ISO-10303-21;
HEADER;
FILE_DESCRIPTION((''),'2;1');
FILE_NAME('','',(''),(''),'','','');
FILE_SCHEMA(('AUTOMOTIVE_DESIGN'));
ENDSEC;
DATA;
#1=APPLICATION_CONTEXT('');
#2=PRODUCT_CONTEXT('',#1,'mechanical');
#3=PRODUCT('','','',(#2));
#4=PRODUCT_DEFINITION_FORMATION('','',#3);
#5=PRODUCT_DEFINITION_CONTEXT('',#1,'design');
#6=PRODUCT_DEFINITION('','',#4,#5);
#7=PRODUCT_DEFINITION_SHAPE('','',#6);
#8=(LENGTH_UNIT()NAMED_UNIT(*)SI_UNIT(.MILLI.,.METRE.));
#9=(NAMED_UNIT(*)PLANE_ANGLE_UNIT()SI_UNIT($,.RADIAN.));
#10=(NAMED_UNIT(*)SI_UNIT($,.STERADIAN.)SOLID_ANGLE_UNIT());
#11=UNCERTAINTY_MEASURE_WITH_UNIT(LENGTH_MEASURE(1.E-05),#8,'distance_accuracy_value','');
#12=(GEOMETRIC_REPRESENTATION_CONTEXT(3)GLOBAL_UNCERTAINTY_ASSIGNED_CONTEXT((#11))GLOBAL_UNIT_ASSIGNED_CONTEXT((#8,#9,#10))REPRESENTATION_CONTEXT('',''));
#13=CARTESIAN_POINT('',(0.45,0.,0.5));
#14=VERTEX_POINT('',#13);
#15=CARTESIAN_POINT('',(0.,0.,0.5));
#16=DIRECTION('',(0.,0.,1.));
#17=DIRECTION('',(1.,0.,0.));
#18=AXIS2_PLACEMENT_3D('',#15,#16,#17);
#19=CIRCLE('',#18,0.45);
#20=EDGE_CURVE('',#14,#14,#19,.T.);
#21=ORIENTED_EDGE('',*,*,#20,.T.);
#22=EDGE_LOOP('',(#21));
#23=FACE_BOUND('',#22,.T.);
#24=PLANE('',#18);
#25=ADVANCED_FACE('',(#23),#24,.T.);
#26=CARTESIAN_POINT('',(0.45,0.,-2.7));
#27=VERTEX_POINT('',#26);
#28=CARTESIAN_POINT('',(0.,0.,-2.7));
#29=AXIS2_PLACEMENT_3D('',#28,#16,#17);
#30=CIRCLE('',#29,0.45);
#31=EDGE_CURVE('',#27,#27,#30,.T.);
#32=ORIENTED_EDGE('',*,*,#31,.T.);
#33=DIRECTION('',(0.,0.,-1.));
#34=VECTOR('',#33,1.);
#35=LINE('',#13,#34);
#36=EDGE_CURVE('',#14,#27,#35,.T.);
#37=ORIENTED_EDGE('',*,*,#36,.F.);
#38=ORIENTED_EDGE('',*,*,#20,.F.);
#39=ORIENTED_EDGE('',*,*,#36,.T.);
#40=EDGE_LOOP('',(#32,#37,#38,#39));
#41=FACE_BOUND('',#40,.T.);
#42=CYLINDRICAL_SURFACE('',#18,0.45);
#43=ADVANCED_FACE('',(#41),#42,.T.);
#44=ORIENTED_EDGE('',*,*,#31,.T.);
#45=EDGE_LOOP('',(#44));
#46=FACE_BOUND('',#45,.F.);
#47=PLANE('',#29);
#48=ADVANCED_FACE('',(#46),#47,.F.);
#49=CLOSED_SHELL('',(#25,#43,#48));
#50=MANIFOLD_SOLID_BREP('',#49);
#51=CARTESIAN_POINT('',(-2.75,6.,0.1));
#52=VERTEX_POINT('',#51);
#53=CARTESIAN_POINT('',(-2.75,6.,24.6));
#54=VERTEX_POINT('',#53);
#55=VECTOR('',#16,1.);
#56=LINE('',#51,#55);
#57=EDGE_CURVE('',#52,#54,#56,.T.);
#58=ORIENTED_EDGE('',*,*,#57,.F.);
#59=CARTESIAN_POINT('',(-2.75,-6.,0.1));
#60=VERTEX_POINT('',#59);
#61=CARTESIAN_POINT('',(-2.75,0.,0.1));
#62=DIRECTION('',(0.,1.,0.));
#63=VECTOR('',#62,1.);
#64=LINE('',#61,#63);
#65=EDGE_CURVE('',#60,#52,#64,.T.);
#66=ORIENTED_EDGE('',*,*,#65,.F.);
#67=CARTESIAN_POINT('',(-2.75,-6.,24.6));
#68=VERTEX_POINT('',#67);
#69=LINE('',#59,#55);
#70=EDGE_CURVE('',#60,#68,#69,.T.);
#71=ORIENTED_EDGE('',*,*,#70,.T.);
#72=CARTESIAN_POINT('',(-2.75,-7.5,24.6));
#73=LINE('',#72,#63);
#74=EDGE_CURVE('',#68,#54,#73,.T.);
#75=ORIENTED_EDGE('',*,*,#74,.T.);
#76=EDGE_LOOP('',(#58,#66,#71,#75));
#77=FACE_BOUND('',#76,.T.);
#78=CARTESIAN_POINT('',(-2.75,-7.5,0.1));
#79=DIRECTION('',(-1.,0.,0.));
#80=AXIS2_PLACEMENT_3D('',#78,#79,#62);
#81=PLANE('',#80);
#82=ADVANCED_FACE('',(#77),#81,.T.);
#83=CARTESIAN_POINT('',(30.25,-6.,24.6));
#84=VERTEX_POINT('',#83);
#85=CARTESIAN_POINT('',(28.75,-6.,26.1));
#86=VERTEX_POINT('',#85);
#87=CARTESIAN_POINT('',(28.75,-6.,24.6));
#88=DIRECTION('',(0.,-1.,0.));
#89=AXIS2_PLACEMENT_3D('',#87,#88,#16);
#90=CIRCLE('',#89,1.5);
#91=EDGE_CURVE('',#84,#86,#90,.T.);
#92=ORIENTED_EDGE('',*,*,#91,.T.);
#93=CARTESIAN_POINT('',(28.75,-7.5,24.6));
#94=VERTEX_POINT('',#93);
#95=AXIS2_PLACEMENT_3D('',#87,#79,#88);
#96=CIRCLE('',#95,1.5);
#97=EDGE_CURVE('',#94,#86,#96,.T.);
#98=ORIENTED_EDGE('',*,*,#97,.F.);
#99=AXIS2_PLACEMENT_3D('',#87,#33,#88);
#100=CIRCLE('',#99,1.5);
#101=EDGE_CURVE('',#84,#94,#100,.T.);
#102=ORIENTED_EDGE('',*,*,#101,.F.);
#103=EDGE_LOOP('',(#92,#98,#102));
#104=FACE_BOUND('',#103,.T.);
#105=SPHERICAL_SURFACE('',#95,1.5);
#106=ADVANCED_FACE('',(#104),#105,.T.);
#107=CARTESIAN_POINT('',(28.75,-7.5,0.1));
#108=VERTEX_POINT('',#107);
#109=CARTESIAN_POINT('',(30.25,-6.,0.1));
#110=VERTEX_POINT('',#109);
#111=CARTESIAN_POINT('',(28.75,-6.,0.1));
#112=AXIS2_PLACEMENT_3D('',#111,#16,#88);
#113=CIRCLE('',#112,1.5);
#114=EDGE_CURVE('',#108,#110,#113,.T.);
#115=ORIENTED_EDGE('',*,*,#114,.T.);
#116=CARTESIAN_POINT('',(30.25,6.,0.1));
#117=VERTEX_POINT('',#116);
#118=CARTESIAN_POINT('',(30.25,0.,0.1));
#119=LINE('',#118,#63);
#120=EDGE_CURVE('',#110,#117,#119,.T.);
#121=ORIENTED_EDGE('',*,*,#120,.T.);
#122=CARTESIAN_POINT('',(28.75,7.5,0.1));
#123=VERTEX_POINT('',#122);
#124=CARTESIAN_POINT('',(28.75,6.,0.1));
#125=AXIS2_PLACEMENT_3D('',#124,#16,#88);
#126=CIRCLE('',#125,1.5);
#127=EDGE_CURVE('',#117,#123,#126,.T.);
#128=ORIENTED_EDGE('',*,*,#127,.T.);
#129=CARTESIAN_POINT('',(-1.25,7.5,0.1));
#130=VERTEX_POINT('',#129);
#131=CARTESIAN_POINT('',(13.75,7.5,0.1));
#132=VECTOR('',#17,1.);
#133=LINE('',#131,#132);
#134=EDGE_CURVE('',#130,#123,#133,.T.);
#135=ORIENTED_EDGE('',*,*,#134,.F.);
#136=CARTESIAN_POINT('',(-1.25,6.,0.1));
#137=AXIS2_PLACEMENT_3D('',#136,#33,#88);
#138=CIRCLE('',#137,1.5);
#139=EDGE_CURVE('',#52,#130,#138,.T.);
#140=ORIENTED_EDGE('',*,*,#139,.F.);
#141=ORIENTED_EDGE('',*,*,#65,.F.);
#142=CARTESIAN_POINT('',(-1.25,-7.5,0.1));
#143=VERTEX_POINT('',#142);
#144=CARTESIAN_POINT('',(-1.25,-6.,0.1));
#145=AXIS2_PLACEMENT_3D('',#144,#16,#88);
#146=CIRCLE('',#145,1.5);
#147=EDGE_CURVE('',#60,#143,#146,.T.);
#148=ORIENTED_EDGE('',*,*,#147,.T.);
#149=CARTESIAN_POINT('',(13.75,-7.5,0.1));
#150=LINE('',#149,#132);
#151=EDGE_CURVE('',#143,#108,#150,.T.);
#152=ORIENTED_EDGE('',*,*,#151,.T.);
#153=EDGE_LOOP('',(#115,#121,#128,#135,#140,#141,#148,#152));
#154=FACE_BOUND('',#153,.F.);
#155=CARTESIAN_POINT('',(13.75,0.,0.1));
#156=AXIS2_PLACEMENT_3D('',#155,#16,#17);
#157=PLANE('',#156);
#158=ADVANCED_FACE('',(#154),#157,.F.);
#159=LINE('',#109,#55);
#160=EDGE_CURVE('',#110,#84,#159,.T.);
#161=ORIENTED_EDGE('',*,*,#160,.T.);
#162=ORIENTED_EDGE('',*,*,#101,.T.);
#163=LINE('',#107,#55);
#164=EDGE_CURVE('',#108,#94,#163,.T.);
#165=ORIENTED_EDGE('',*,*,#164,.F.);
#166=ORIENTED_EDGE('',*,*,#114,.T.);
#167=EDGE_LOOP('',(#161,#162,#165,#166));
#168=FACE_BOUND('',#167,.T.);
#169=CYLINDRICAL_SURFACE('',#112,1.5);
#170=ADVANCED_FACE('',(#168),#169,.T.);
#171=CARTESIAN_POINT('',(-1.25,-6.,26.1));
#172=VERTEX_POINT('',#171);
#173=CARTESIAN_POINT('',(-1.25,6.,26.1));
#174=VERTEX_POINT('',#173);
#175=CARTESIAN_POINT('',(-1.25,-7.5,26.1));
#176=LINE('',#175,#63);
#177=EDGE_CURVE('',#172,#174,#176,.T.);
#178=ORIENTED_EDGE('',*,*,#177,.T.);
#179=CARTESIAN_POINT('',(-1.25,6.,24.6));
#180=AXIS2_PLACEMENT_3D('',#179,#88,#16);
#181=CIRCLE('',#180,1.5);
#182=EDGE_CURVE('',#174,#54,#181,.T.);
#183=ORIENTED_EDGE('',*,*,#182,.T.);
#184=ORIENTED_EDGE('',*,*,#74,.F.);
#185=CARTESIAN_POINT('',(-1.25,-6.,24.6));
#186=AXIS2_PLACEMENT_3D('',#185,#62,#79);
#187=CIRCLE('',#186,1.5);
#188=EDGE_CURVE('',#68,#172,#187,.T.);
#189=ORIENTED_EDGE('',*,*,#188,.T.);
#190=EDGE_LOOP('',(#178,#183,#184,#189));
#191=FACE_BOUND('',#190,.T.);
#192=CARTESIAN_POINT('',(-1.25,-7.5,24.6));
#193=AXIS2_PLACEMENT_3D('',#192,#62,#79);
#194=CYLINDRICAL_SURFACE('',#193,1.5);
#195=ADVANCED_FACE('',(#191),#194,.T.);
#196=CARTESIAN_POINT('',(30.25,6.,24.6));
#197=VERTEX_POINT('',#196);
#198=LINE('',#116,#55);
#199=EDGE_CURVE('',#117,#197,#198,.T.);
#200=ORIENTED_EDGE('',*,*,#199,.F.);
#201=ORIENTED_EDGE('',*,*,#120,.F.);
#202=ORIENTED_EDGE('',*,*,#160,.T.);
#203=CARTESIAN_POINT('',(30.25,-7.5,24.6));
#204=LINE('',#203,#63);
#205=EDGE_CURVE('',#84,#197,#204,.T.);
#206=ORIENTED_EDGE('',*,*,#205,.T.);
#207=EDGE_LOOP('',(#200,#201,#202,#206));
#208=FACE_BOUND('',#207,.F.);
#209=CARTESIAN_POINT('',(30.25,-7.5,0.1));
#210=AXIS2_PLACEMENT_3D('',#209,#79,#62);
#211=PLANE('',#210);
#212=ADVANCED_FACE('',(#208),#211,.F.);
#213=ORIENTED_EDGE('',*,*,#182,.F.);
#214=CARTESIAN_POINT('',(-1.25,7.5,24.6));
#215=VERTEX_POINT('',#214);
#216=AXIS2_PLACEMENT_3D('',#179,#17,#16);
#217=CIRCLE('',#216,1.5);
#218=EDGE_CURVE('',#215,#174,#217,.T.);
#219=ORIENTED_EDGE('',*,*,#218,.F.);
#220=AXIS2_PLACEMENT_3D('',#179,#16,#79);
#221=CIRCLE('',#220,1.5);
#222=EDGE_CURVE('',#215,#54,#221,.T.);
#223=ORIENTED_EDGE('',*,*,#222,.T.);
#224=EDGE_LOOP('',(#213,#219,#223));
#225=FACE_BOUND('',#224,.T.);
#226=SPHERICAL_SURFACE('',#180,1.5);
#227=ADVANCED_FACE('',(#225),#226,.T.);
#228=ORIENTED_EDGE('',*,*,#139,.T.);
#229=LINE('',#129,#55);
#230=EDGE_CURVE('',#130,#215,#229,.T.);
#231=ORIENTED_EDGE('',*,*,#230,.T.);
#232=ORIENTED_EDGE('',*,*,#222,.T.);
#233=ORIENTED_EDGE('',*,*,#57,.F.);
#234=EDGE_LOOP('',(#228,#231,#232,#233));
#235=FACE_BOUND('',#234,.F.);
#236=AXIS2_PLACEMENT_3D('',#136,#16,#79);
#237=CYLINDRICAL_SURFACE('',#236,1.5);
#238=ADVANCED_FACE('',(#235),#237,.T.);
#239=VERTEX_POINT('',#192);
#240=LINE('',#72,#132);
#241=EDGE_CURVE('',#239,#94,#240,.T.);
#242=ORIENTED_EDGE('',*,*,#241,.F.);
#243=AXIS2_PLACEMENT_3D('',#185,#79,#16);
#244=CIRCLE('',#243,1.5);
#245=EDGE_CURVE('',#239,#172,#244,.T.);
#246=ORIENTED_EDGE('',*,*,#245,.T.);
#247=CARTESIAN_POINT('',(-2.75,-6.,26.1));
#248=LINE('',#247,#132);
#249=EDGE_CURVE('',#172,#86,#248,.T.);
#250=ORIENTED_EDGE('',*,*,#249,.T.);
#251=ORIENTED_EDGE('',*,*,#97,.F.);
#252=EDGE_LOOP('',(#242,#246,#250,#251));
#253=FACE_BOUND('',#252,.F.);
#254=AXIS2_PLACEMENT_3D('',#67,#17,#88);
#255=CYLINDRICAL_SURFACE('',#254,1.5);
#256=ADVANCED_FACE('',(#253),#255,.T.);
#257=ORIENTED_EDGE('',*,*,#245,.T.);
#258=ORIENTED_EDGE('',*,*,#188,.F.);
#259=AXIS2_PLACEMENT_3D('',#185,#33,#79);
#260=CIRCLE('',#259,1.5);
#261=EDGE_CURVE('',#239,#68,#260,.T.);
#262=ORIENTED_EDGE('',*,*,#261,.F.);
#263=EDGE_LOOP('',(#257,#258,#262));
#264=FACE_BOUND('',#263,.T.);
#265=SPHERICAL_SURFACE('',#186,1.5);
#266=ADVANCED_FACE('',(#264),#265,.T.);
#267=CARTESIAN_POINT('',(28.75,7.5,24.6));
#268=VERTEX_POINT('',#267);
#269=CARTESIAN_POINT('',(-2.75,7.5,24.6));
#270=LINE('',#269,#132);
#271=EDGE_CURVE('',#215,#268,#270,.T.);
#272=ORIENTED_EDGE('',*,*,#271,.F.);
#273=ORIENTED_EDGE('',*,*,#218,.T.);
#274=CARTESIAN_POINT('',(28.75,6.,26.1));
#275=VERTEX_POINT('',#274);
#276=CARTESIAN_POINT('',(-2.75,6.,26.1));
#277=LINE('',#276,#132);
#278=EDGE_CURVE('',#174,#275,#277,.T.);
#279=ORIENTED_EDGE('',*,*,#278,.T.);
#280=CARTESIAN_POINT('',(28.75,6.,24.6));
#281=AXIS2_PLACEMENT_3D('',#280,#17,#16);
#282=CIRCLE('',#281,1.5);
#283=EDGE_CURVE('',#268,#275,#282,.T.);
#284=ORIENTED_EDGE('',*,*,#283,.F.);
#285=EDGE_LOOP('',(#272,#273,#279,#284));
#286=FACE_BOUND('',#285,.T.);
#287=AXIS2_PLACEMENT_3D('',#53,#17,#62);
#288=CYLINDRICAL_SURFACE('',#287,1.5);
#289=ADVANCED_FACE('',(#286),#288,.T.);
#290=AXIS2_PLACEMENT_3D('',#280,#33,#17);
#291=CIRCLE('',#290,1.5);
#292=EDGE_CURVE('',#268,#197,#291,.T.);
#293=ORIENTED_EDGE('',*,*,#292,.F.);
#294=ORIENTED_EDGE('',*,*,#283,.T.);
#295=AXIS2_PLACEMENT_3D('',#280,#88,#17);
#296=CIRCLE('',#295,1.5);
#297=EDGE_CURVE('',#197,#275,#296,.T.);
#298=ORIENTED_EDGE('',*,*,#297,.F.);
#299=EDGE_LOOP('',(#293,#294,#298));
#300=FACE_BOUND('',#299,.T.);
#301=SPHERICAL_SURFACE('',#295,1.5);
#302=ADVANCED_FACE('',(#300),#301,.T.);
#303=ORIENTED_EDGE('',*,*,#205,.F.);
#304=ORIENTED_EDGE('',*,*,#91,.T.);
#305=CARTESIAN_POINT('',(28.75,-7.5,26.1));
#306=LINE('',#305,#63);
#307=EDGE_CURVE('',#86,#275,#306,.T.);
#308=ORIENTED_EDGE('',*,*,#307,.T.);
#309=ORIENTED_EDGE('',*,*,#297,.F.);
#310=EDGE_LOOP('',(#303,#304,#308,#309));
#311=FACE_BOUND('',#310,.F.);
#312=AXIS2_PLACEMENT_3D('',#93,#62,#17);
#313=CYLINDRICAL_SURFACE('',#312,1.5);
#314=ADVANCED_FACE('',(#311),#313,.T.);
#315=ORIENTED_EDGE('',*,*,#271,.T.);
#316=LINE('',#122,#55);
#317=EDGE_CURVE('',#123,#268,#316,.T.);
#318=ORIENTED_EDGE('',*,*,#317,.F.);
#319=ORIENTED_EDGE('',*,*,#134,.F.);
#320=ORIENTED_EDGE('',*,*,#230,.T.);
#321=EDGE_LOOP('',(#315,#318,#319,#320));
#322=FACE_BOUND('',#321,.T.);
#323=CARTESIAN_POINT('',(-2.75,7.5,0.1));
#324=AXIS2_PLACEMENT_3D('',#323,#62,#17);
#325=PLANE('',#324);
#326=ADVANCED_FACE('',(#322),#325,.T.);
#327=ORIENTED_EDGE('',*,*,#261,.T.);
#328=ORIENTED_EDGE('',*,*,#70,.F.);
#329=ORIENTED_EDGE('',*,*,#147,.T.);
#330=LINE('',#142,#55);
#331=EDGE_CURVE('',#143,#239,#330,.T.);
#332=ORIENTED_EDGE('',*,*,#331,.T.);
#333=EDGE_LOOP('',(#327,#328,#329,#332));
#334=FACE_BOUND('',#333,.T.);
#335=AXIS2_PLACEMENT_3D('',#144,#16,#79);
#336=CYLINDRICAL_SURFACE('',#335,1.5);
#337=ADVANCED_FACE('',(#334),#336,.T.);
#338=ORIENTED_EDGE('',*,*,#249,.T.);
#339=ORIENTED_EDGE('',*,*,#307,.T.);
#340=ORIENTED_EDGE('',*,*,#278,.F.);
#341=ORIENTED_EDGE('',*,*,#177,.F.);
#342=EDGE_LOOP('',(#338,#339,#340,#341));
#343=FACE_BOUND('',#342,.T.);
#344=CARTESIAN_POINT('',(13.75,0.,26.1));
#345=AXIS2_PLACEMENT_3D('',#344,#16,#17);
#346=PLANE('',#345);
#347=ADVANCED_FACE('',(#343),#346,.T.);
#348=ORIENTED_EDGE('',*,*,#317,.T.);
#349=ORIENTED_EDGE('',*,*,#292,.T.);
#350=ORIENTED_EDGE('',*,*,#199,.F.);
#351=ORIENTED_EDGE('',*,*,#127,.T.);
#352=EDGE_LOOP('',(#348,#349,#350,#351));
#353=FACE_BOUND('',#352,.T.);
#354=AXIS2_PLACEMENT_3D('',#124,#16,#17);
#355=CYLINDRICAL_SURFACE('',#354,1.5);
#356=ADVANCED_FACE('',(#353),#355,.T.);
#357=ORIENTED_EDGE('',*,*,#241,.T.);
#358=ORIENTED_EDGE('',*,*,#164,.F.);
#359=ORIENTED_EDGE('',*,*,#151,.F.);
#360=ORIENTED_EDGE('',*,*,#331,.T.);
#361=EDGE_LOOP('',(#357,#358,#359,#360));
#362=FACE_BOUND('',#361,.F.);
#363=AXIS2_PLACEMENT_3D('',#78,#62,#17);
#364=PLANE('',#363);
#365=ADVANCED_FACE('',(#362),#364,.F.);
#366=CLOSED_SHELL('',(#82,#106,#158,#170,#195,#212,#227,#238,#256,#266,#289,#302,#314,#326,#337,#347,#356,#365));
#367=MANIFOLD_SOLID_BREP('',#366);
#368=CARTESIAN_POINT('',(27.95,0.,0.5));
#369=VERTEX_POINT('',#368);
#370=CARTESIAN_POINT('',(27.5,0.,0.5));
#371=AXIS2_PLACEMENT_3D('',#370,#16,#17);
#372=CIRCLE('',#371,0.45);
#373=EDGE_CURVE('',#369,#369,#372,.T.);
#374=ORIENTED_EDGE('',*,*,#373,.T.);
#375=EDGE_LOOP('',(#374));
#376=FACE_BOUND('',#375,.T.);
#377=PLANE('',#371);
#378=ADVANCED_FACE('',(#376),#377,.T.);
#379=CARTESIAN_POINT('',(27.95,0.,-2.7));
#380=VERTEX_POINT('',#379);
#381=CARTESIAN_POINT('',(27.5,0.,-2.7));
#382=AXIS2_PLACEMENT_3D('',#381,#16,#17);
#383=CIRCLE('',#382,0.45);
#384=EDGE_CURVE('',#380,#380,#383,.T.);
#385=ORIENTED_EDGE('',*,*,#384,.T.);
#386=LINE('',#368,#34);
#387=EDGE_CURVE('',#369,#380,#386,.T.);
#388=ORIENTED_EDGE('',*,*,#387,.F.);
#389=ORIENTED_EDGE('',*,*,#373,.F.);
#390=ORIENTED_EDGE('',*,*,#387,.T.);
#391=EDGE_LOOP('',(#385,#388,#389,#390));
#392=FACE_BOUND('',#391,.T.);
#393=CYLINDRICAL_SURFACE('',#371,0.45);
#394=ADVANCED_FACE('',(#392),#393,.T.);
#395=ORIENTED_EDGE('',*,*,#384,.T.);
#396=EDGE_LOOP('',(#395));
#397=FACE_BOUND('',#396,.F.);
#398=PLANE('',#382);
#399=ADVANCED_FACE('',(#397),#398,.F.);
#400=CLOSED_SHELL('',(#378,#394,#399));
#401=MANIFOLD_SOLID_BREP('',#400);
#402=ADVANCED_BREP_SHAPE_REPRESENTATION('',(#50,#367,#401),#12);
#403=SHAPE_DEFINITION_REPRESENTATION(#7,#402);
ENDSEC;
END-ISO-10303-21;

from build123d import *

# Parameters (mm, degrees)
SKETCH_W     = 33
SKETCH_H     = 15
PAD_DEPTH    = 26
FILLET_R     = 1.5
SKETCH001_R  = 0.45
PAD001_DEPTH = 3.2


with BuildPart() as fillet_body:
    # Sketch → Pad (new body)
    with BuildSketch(Plane.XY.offset(0.1)):
        with Locations((13.75, 0)):
            Rectangle(SKETCH_W, SKETCH_H)
    extrude(amount=PAD_DEPTH)

    # Fillet
    fillet_edges = [fillet_body.edges().sort_by_distance(p)[0] for p in [
        (-2.75, 0, 26.1),
        (-2.75, -7.5, 13.1),
        (13.75, -7.5, 26.1),
        (30.25, -7.5, 13.1),
        (30.25, 0, 26.1),
        (30.25, 7.5, 13.1),
        (13.75, 7.5, 26.1),
        (-2.75, 7.5, 13.1),
    ]]
    fillet(fillet_edges, radius=FILLET_R)


with BuildPart() as pad001:
    # Sketch001 → Pad001 (new body)
    with BuildSketch(Plane.XY.offset(0.5)):
        Circle(SKETCH001_R)
        with Locations((27.5, 0)):
            Circle(SKETCH001_R)
    extrude(amount=-PAD001_DEPTH)


solid = Compound([fillet_body.part, pad001.part])
